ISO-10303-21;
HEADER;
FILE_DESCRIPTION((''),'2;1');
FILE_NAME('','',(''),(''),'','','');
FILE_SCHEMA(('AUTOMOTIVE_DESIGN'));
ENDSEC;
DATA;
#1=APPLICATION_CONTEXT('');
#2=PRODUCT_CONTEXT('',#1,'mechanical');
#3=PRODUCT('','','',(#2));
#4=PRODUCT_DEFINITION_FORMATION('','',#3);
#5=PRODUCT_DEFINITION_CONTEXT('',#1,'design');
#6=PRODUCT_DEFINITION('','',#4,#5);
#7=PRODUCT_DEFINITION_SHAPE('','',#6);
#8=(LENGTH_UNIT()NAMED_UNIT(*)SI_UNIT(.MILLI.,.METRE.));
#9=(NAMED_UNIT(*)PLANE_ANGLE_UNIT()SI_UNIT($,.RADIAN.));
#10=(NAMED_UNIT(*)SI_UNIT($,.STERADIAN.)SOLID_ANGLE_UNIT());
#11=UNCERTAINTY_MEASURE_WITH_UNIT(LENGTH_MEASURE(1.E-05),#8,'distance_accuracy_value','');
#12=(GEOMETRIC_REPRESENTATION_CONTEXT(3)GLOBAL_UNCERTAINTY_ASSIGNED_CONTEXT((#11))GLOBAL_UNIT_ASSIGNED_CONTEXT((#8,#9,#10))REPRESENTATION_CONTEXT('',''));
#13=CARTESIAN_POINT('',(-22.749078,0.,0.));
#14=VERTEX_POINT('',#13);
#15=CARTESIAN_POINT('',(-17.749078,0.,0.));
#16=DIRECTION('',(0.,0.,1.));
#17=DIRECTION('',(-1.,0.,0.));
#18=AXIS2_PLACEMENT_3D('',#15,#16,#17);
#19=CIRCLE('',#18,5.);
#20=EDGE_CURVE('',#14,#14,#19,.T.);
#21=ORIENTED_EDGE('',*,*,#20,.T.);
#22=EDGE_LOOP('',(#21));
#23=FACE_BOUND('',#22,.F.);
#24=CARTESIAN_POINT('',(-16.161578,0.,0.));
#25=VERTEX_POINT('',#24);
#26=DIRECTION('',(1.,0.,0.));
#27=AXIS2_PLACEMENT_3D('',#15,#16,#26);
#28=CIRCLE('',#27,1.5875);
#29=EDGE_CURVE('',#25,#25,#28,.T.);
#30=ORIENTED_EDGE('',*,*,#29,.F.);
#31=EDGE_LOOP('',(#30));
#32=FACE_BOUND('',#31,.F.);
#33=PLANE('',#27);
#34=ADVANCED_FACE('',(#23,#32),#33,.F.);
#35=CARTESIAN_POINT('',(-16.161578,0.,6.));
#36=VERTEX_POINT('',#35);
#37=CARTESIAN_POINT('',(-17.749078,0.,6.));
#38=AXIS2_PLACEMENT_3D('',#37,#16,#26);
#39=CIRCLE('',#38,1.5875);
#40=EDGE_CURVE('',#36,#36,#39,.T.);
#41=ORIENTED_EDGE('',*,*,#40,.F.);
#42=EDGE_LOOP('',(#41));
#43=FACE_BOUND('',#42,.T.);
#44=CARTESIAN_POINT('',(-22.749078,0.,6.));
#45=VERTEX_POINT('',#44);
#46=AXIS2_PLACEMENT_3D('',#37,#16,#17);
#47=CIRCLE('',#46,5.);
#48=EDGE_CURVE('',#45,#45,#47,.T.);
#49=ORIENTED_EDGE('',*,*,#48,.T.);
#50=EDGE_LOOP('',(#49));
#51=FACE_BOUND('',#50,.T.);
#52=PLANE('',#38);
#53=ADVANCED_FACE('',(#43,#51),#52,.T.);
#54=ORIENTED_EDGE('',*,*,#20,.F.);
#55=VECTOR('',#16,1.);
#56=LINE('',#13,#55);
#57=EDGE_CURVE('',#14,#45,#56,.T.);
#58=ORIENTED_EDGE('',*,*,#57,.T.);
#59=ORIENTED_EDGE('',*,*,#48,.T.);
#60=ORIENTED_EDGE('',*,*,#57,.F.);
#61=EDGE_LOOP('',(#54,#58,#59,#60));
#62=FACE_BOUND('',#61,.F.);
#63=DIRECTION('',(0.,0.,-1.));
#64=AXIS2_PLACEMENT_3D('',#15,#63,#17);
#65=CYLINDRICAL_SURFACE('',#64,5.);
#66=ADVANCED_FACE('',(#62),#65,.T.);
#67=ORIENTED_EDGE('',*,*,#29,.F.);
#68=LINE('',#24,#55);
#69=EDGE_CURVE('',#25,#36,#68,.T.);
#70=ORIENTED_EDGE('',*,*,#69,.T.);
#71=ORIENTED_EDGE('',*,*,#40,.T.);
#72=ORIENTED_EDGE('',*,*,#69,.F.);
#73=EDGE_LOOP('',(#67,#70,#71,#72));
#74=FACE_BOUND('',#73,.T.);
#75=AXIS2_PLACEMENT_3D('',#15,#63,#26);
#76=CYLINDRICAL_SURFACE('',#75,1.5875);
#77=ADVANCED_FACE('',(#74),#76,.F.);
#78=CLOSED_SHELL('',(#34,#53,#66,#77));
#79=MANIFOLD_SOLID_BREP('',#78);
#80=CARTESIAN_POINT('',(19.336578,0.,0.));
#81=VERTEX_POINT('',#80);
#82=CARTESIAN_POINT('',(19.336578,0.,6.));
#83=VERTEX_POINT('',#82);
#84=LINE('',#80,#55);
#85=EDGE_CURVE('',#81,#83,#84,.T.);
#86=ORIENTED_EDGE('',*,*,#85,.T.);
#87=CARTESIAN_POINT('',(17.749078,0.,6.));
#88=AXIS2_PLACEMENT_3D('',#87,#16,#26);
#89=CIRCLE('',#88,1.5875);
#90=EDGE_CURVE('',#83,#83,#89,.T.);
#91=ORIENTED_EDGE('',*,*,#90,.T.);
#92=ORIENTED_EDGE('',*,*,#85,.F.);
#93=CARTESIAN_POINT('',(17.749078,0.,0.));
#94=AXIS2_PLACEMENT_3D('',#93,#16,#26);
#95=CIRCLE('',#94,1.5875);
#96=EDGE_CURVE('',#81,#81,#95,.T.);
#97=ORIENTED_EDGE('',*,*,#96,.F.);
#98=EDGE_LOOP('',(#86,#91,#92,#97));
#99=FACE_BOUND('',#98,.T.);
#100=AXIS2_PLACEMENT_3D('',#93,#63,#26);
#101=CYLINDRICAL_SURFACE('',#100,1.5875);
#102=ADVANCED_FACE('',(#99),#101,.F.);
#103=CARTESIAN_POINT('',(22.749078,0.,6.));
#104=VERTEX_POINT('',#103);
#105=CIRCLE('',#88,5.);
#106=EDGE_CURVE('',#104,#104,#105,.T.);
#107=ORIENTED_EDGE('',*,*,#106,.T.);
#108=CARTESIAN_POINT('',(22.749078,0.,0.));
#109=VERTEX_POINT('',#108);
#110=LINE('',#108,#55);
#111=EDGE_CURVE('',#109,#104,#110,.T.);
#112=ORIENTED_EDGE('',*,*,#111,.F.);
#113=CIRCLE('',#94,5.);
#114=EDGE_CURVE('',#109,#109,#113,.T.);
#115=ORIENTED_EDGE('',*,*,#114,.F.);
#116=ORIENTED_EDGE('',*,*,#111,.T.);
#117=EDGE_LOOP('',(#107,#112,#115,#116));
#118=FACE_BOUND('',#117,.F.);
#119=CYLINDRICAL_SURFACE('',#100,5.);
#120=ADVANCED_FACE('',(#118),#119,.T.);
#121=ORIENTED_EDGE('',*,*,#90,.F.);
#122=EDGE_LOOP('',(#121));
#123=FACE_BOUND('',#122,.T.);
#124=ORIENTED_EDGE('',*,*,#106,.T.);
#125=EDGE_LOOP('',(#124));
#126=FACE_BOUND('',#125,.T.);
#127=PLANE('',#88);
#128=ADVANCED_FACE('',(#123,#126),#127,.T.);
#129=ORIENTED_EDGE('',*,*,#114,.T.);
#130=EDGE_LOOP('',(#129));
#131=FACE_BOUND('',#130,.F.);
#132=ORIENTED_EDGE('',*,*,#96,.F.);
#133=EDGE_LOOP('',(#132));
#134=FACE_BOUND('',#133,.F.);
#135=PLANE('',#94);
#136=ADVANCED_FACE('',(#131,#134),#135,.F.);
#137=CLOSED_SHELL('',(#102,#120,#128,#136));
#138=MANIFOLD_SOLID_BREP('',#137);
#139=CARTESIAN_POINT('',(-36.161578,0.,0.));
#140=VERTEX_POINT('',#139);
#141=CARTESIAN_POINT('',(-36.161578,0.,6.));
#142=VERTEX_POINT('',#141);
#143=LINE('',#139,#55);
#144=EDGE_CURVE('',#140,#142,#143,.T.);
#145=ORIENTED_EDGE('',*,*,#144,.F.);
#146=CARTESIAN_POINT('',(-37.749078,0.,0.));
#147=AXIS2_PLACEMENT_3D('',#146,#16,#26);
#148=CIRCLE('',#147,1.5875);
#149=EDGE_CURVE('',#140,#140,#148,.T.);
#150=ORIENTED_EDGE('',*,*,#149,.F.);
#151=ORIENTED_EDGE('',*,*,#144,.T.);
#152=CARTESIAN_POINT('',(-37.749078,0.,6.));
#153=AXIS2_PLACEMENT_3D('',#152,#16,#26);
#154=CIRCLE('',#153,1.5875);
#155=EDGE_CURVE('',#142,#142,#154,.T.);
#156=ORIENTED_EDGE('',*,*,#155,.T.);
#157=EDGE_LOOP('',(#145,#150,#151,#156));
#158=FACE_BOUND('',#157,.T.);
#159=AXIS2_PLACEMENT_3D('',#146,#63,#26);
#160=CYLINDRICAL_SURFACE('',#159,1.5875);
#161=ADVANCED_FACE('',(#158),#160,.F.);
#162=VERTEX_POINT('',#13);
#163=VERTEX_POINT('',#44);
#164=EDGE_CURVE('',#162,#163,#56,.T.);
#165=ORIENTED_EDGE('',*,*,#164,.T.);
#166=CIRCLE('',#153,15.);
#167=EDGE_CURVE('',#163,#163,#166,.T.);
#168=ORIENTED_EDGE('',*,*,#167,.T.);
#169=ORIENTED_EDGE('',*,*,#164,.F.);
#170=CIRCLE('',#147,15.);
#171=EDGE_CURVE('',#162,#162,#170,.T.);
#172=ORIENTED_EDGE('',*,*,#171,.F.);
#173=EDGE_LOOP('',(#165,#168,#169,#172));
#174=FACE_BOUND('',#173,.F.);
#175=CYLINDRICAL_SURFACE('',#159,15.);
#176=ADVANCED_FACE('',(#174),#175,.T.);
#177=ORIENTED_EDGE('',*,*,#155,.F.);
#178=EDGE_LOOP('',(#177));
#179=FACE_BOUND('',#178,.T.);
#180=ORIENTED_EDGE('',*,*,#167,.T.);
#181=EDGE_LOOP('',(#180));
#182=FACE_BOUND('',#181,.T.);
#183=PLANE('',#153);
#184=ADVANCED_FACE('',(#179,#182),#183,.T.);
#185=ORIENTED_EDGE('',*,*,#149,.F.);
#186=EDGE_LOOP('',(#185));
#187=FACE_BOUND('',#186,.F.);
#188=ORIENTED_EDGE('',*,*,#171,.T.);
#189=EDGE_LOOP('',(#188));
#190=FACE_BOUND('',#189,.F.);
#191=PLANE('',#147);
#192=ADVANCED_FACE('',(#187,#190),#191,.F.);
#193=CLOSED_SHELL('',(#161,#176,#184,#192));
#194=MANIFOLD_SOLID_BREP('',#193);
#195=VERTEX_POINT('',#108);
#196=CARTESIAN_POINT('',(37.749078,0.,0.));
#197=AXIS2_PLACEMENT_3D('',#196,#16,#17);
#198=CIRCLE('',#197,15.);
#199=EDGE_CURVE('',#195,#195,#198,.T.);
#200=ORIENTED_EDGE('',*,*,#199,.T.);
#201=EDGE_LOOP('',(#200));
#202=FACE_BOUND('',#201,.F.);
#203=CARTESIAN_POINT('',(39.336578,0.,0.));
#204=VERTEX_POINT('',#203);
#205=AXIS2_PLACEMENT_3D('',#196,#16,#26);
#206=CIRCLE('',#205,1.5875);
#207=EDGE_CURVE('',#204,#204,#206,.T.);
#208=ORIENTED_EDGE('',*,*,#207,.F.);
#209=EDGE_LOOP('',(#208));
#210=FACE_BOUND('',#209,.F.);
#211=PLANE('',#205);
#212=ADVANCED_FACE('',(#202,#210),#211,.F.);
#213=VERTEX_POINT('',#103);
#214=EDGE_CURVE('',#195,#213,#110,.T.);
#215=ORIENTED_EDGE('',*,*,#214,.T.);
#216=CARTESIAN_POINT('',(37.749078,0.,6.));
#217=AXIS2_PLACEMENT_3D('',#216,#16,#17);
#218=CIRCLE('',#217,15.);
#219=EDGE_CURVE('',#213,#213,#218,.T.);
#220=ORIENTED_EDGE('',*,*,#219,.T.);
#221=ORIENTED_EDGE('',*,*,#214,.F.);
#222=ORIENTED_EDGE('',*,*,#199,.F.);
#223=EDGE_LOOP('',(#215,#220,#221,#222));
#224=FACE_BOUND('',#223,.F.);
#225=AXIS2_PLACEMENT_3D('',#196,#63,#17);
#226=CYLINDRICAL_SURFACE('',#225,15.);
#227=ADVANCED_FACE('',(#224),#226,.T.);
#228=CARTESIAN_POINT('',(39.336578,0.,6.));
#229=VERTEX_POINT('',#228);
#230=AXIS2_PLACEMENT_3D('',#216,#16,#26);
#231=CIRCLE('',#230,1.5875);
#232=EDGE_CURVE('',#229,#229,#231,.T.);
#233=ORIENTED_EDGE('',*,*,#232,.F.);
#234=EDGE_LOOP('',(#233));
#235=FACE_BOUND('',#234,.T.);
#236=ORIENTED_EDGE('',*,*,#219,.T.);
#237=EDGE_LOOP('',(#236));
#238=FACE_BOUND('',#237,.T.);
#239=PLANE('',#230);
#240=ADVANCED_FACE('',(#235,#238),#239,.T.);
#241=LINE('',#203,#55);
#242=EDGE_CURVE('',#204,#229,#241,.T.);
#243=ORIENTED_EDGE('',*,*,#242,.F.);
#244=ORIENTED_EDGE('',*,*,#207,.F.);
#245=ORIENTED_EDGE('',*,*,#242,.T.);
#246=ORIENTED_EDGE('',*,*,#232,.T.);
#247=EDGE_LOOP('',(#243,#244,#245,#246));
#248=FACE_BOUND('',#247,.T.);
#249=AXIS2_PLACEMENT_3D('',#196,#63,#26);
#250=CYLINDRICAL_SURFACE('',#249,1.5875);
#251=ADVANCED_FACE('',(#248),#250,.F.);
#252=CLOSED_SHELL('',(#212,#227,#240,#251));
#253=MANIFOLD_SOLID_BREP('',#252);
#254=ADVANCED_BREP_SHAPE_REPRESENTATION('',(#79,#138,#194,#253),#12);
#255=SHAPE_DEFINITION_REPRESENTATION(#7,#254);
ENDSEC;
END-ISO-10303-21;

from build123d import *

# Parameters (mm, degrees)
F0_R     = 1.5875
F0_R_2   = 15
F0_R_3   = 5
F1_DEPTH = 6


with BuildPart() as f1:
    # F0 (on Top) → F1 (new body)
    with BuildSketch(Plane.XY):
        with BuildLine():
            ThreePointArc((-22.749078, 0), (-17.749078, -5), (-12.749078, 0))
            ThreePointArc((-12.749078, 0), (-17.749078, 5), (-22.749078, 0))
        make_face()
        with Locations((-17.749078, 0)):
            Circle(F0_R, mode=Mode.SUBTRACT)
        with Locations((-37.749078, 0)):
            Circle(F0_R_2)
        with Locations((-37.749078, 0)):
            Circle(F0_R, mode=Mode.SUBTRACT)
        with BuildLine():
            ThreePointArc((22.749078, 0), (37.749078, -15), (52.749078, 0))
            ThreePointArc((52.749078, 0), (37.749078, 15), (22.749078, 0))
        make_face()
        with Locations((37.749078, 0)):
            Circle(F0_R, mode=Mode.SUBTRACT)
        with Locations((17.749078, 0)):
            Circle(F0_R_3)
        with Locations((17.749078, 0)):
            Circle(F0_R, mode=Mode.SUBTRACT)
    extrude(amount=F1_DEPTH)


solid = f1.part
